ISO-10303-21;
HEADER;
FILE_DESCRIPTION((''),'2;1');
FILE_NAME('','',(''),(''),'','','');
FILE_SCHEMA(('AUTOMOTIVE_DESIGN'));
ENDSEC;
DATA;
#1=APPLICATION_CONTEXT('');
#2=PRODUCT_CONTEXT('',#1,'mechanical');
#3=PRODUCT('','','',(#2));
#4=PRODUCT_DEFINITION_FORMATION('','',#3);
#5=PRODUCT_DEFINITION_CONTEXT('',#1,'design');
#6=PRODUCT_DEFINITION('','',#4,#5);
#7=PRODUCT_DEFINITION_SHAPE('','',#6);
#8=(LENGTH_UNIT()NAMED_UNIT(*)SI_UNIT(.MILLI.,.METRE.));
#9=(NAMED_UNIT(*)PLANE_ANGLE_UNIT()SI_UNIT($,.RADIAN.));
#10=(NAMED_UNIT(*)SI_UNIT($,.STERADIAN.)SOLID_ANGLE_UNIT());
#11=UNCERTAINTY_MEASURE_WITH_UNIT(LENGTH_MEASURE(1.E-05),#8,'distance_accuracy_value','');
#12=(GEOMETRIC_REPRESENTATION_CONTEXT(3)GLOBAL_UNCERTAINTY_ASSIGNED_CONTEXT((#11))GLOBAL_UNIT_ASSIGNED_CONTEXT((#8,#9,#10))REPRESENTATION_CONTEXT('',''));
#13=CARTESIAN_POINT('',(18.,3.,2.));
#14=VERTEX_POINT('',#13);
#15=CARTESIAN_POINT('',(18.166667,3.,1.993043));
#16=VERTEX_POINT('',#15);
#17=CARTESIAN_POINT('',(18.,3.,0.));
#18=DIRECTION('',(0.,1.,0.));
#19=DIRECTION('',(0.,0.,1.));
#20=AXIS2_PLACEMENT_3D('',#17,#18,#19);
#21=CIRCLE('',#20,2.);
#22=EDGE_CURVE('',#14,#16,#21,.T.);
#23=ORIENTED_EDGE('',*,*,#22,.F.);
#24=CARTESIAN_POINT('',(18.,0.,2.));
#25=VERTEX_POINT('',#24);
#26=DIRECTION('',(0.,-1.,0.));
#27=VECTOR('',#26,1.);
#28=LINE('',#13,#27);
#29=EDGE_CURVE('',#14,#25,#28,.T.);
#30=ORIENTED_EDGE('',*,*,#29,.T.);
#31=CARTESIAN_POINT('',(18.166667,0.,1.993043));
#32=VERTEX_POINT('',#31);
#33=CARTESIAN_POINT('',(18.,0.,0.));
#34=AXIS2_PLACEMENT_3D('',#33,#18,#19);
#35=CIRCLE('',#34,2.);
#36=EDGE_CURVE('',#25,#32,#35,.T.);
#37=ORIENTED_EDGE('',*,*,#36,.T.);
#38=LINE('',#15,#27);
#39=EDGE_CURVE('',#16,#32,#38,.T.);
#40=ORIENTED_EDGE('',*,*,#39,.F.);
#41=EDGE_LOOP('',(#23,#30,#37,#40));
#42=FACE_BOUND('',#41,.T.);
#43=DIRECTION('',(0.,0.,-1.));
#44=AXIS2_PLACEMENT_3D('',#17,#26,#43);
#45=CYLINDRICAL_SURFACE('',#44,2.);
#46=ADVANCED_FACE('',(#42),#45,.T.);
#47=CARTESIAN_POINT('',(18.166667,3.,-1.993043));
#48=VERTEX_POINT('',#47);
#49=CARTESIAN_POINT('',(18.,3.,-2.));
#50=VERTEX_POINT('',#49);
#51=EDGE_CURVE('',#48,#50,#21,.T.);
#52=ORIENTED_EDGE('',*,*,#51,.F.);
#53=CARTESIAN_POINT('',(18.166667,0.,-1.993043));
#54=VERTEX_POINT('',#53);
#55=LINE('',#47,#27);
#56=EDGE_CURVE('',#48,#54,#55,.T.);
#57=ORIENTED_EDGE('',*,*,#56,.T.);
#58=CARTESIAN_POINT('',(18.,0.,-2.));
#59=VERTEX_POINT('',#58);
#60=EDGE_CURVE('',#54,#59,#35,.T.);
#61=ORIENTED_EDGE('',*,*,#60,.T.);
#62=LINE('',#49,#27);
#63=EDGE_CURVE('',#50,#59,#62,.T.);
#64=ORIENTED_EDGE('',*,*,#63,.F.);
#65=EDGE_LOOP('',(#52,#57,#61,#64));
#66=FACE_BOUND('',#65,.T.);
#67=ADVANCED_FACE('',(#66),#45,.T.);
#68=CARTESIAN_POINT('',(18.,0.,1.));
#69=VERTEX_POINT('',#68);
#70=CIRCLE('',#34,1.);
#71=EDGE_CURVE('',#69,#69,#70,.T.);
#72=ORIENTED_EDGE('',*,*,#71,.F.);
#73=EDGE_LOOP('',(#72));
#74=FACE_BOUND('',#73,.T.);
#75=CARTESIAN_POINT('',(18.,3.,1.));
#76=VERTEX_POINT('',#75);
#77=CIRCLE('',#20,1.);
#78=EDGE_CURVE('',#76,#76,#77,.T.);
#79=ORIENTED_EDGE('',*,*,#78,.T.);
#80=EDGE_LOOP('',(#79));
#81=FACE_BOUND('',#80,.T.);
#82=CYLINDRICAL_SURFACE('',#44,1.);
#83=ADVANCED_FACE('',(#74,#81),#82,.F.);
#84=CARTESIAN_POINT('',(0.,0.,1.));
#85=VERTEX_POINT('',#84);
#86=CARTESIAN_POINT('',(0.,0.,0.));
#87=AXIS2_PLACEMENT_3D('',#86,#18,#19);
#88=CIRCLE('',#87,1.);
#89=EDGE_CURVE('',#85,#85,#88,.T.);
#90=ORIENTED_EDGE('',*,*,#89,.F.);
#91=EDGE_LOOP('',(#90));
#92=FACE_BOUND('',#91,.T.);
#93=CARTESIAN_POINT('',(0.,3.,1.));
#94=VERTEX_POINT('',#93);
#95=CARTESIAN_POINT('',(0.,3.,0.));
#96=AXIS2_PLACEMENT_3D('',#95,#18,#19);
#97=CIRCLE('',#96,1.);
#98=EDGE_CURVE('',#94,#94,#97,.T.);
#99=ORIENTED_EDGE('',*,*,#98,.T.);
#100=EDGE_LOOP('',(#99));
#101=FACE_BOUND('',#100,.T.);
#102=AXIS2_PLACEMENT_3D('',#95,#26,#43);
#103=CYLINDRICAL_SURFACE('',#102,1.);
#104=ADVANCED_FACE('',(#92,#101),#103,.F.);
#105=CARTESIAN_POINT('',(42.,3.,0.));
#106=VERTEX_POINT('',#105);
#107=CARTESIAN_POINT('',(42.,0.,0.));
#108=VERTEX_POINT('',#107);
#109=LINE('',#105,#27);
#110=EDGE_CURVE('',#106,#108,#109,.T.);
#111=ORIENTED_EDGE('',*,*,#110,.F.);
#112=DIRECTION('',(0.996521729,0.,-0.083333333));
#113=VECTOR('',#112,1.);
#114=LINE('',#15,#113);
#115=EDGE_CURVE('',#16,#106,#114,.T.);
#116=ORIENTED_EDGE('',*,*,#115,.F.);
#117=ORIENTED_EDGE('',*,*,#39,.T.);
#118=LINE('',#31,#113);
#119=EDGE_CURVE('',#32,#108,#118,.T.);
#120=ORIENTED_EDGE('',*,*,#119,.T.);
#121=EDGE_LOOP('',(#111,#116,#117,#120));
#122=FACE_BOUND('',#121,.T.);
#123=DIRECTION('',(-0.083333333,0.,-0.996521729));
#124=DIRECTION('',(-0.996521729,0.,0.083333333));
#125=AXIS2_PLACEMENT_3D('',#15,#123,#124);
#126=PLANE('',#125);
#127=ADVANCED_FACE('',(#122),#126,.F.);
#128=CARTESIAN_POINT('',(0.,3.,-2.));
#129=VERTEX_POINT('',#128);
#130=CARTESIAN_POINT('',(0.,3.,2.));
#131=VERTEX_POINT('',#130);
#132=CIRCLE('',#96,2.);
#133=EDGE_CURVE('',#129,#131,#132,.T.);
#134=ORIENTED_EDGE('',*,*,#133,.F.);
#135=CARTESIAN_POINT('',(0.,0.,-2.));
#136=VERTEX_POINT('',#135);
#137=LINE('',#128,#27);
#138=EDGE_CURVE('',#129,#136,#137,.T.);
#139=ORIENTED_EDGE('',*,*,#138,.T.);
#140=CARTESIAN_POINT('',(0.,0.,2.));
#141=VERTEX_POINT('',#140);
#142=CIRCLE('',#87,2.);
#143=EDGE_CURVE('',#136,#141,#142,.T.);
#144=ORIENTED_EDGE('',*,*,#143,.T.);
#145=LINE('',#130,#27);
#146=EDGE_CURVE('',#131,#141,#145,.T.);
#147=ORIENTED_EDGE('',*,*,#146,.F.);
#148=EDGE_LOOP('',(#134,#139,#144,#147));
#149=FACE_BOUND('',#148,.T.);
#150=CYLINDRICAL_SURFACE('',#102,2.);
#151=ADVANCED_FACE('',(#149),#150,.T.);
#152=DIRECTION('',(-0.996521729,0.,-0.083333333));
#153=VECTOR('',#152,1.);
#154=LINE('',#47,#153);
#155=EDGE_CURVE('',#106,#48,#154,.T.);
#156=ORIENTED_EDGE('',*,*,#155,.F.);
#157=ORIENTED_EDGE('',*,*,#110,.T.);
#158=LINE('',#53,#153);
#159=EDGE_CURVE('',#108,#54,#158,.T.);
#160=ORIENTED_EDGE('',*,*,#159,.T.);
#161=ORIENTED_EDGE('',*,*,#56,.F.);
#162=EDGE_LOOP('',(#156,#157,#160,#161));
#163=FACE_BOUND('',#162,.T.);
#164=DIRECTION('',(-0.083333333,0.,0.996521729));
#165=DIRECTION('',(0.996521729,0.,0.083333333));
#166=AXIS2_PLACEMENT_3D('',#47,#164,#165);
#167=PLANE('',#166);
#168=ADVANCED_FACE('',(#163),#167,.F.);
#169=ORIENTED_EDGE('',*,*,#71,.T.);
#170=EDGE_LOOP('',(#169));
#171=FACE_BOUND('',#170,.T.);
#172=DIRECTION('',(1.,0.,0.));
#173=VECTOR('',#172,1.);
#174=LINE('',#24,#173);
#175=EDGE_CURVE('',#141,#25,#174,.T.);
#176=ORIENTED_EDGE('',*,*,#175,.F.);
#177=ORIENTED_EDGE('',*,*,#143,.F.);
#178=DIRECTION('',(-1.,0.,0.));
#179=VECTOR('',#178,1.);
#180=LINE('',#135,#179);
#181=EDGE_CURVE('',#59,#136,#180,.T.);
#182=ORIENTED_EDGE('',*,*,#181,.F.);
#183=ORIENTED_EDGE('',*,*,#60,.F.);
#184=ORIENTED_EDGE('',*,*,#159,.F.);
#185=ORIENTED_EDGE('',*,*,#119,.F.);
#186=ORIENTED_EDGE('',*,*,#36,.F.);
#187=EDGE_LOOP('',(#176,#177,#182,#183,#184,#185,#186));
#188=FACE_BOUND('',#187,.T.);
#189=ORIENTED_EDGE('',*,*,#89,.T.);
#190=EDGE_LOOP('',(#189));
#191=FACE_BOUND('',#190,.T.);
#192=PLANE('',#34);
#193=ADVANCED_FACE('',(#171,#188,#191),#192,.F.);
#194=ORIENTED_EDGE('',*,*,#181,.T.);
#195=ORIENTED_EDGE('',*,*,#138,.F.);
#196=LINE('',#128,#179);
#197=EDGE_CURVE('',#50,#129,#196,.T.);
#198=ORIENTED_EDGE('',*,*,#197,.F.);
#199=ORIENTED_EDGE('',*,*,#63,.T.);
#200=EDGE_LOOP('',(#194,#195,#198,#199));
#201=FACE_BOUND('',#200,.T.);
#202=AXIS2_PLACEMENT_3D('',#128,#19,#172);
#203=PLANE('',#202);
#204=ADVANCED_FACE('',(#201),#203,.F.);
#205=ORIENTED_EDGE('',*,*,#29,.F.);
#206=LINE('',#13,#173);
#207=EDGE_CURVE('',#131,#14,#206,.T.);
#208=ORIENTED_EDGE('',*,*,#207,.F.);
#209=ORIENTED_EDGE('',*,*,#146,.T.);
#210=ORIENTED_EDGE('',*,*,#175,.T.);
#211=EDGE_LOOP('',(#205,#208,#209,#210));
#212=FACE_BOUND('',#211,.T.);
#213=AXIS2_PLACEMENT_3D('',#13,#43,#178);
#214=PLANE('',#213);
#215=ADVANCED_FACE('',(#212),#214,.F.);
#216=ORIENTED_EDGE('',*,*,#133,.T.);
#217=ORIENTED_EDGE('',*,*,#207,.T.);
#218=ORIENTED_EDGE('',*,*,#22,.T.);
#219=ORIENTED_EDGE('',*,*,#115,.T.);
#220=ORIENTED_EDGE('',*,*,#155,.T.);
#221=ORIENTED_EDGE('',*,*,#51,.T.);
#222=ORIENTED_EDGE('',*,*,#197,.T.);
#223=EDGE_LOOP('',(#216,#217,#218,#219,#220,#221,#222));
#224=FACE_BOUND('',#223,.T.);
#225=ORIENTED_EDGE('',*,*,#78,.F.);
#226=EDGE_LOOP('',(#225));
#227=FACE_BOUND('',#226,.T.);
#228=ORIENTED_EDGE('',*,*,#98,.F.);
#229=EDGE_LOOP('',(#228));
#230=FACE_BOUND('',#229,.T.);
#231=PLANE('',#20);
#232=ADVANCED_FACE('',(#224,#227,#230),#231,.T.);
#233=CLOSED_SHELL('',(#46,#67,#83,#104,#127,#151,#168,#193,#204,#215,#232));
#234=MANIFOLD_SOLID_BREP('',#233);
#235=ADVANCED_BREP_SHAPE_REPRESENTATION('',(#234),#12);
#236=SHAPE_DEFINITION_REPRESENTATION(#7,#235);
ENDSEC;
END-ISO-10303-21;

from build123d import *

# Parameters (mm, degrees)
SKETCH_1_R      = 1
EXTRUDE_1_DEPTH = 3


with BuildPart() as part:
    # 草图1 → 凸台-拉伸1 (new body)
    with BuildSketch(Plane(origin=(0, 0, 0), x_dir=(1, 0, 0), z_dir=(0, 1, 0))):
        with BuildLine():
            Line((0, 2), (18, 2))
            ThreePointArc((18, 2), (18.083405892, 1.998260107), (18.166666667, 1.993043457))
            Line((18.166666667, 1.993043457), (42, 0))
            Line((42, 0), (18.166666667, -1.993043457))
            ThreePointArc((18.166666667, -1.993043457), (18.083405892, -1.998260107), (18, -2))
            Line((18, -2), (0, -2))
            ThreePointArc((0, -2), (-2, 0), (0, 2))
        make_face()
        Circle(SKETCH_1_R, mode=Mode.SUBTRACT)
        with Locations((18, 0)):
            Circle(SKETCH_1_R, mode=Mode.SUBTRACT)
    extrude(amount=EXTRUDE_1_DEPTH)


solid = part.part
